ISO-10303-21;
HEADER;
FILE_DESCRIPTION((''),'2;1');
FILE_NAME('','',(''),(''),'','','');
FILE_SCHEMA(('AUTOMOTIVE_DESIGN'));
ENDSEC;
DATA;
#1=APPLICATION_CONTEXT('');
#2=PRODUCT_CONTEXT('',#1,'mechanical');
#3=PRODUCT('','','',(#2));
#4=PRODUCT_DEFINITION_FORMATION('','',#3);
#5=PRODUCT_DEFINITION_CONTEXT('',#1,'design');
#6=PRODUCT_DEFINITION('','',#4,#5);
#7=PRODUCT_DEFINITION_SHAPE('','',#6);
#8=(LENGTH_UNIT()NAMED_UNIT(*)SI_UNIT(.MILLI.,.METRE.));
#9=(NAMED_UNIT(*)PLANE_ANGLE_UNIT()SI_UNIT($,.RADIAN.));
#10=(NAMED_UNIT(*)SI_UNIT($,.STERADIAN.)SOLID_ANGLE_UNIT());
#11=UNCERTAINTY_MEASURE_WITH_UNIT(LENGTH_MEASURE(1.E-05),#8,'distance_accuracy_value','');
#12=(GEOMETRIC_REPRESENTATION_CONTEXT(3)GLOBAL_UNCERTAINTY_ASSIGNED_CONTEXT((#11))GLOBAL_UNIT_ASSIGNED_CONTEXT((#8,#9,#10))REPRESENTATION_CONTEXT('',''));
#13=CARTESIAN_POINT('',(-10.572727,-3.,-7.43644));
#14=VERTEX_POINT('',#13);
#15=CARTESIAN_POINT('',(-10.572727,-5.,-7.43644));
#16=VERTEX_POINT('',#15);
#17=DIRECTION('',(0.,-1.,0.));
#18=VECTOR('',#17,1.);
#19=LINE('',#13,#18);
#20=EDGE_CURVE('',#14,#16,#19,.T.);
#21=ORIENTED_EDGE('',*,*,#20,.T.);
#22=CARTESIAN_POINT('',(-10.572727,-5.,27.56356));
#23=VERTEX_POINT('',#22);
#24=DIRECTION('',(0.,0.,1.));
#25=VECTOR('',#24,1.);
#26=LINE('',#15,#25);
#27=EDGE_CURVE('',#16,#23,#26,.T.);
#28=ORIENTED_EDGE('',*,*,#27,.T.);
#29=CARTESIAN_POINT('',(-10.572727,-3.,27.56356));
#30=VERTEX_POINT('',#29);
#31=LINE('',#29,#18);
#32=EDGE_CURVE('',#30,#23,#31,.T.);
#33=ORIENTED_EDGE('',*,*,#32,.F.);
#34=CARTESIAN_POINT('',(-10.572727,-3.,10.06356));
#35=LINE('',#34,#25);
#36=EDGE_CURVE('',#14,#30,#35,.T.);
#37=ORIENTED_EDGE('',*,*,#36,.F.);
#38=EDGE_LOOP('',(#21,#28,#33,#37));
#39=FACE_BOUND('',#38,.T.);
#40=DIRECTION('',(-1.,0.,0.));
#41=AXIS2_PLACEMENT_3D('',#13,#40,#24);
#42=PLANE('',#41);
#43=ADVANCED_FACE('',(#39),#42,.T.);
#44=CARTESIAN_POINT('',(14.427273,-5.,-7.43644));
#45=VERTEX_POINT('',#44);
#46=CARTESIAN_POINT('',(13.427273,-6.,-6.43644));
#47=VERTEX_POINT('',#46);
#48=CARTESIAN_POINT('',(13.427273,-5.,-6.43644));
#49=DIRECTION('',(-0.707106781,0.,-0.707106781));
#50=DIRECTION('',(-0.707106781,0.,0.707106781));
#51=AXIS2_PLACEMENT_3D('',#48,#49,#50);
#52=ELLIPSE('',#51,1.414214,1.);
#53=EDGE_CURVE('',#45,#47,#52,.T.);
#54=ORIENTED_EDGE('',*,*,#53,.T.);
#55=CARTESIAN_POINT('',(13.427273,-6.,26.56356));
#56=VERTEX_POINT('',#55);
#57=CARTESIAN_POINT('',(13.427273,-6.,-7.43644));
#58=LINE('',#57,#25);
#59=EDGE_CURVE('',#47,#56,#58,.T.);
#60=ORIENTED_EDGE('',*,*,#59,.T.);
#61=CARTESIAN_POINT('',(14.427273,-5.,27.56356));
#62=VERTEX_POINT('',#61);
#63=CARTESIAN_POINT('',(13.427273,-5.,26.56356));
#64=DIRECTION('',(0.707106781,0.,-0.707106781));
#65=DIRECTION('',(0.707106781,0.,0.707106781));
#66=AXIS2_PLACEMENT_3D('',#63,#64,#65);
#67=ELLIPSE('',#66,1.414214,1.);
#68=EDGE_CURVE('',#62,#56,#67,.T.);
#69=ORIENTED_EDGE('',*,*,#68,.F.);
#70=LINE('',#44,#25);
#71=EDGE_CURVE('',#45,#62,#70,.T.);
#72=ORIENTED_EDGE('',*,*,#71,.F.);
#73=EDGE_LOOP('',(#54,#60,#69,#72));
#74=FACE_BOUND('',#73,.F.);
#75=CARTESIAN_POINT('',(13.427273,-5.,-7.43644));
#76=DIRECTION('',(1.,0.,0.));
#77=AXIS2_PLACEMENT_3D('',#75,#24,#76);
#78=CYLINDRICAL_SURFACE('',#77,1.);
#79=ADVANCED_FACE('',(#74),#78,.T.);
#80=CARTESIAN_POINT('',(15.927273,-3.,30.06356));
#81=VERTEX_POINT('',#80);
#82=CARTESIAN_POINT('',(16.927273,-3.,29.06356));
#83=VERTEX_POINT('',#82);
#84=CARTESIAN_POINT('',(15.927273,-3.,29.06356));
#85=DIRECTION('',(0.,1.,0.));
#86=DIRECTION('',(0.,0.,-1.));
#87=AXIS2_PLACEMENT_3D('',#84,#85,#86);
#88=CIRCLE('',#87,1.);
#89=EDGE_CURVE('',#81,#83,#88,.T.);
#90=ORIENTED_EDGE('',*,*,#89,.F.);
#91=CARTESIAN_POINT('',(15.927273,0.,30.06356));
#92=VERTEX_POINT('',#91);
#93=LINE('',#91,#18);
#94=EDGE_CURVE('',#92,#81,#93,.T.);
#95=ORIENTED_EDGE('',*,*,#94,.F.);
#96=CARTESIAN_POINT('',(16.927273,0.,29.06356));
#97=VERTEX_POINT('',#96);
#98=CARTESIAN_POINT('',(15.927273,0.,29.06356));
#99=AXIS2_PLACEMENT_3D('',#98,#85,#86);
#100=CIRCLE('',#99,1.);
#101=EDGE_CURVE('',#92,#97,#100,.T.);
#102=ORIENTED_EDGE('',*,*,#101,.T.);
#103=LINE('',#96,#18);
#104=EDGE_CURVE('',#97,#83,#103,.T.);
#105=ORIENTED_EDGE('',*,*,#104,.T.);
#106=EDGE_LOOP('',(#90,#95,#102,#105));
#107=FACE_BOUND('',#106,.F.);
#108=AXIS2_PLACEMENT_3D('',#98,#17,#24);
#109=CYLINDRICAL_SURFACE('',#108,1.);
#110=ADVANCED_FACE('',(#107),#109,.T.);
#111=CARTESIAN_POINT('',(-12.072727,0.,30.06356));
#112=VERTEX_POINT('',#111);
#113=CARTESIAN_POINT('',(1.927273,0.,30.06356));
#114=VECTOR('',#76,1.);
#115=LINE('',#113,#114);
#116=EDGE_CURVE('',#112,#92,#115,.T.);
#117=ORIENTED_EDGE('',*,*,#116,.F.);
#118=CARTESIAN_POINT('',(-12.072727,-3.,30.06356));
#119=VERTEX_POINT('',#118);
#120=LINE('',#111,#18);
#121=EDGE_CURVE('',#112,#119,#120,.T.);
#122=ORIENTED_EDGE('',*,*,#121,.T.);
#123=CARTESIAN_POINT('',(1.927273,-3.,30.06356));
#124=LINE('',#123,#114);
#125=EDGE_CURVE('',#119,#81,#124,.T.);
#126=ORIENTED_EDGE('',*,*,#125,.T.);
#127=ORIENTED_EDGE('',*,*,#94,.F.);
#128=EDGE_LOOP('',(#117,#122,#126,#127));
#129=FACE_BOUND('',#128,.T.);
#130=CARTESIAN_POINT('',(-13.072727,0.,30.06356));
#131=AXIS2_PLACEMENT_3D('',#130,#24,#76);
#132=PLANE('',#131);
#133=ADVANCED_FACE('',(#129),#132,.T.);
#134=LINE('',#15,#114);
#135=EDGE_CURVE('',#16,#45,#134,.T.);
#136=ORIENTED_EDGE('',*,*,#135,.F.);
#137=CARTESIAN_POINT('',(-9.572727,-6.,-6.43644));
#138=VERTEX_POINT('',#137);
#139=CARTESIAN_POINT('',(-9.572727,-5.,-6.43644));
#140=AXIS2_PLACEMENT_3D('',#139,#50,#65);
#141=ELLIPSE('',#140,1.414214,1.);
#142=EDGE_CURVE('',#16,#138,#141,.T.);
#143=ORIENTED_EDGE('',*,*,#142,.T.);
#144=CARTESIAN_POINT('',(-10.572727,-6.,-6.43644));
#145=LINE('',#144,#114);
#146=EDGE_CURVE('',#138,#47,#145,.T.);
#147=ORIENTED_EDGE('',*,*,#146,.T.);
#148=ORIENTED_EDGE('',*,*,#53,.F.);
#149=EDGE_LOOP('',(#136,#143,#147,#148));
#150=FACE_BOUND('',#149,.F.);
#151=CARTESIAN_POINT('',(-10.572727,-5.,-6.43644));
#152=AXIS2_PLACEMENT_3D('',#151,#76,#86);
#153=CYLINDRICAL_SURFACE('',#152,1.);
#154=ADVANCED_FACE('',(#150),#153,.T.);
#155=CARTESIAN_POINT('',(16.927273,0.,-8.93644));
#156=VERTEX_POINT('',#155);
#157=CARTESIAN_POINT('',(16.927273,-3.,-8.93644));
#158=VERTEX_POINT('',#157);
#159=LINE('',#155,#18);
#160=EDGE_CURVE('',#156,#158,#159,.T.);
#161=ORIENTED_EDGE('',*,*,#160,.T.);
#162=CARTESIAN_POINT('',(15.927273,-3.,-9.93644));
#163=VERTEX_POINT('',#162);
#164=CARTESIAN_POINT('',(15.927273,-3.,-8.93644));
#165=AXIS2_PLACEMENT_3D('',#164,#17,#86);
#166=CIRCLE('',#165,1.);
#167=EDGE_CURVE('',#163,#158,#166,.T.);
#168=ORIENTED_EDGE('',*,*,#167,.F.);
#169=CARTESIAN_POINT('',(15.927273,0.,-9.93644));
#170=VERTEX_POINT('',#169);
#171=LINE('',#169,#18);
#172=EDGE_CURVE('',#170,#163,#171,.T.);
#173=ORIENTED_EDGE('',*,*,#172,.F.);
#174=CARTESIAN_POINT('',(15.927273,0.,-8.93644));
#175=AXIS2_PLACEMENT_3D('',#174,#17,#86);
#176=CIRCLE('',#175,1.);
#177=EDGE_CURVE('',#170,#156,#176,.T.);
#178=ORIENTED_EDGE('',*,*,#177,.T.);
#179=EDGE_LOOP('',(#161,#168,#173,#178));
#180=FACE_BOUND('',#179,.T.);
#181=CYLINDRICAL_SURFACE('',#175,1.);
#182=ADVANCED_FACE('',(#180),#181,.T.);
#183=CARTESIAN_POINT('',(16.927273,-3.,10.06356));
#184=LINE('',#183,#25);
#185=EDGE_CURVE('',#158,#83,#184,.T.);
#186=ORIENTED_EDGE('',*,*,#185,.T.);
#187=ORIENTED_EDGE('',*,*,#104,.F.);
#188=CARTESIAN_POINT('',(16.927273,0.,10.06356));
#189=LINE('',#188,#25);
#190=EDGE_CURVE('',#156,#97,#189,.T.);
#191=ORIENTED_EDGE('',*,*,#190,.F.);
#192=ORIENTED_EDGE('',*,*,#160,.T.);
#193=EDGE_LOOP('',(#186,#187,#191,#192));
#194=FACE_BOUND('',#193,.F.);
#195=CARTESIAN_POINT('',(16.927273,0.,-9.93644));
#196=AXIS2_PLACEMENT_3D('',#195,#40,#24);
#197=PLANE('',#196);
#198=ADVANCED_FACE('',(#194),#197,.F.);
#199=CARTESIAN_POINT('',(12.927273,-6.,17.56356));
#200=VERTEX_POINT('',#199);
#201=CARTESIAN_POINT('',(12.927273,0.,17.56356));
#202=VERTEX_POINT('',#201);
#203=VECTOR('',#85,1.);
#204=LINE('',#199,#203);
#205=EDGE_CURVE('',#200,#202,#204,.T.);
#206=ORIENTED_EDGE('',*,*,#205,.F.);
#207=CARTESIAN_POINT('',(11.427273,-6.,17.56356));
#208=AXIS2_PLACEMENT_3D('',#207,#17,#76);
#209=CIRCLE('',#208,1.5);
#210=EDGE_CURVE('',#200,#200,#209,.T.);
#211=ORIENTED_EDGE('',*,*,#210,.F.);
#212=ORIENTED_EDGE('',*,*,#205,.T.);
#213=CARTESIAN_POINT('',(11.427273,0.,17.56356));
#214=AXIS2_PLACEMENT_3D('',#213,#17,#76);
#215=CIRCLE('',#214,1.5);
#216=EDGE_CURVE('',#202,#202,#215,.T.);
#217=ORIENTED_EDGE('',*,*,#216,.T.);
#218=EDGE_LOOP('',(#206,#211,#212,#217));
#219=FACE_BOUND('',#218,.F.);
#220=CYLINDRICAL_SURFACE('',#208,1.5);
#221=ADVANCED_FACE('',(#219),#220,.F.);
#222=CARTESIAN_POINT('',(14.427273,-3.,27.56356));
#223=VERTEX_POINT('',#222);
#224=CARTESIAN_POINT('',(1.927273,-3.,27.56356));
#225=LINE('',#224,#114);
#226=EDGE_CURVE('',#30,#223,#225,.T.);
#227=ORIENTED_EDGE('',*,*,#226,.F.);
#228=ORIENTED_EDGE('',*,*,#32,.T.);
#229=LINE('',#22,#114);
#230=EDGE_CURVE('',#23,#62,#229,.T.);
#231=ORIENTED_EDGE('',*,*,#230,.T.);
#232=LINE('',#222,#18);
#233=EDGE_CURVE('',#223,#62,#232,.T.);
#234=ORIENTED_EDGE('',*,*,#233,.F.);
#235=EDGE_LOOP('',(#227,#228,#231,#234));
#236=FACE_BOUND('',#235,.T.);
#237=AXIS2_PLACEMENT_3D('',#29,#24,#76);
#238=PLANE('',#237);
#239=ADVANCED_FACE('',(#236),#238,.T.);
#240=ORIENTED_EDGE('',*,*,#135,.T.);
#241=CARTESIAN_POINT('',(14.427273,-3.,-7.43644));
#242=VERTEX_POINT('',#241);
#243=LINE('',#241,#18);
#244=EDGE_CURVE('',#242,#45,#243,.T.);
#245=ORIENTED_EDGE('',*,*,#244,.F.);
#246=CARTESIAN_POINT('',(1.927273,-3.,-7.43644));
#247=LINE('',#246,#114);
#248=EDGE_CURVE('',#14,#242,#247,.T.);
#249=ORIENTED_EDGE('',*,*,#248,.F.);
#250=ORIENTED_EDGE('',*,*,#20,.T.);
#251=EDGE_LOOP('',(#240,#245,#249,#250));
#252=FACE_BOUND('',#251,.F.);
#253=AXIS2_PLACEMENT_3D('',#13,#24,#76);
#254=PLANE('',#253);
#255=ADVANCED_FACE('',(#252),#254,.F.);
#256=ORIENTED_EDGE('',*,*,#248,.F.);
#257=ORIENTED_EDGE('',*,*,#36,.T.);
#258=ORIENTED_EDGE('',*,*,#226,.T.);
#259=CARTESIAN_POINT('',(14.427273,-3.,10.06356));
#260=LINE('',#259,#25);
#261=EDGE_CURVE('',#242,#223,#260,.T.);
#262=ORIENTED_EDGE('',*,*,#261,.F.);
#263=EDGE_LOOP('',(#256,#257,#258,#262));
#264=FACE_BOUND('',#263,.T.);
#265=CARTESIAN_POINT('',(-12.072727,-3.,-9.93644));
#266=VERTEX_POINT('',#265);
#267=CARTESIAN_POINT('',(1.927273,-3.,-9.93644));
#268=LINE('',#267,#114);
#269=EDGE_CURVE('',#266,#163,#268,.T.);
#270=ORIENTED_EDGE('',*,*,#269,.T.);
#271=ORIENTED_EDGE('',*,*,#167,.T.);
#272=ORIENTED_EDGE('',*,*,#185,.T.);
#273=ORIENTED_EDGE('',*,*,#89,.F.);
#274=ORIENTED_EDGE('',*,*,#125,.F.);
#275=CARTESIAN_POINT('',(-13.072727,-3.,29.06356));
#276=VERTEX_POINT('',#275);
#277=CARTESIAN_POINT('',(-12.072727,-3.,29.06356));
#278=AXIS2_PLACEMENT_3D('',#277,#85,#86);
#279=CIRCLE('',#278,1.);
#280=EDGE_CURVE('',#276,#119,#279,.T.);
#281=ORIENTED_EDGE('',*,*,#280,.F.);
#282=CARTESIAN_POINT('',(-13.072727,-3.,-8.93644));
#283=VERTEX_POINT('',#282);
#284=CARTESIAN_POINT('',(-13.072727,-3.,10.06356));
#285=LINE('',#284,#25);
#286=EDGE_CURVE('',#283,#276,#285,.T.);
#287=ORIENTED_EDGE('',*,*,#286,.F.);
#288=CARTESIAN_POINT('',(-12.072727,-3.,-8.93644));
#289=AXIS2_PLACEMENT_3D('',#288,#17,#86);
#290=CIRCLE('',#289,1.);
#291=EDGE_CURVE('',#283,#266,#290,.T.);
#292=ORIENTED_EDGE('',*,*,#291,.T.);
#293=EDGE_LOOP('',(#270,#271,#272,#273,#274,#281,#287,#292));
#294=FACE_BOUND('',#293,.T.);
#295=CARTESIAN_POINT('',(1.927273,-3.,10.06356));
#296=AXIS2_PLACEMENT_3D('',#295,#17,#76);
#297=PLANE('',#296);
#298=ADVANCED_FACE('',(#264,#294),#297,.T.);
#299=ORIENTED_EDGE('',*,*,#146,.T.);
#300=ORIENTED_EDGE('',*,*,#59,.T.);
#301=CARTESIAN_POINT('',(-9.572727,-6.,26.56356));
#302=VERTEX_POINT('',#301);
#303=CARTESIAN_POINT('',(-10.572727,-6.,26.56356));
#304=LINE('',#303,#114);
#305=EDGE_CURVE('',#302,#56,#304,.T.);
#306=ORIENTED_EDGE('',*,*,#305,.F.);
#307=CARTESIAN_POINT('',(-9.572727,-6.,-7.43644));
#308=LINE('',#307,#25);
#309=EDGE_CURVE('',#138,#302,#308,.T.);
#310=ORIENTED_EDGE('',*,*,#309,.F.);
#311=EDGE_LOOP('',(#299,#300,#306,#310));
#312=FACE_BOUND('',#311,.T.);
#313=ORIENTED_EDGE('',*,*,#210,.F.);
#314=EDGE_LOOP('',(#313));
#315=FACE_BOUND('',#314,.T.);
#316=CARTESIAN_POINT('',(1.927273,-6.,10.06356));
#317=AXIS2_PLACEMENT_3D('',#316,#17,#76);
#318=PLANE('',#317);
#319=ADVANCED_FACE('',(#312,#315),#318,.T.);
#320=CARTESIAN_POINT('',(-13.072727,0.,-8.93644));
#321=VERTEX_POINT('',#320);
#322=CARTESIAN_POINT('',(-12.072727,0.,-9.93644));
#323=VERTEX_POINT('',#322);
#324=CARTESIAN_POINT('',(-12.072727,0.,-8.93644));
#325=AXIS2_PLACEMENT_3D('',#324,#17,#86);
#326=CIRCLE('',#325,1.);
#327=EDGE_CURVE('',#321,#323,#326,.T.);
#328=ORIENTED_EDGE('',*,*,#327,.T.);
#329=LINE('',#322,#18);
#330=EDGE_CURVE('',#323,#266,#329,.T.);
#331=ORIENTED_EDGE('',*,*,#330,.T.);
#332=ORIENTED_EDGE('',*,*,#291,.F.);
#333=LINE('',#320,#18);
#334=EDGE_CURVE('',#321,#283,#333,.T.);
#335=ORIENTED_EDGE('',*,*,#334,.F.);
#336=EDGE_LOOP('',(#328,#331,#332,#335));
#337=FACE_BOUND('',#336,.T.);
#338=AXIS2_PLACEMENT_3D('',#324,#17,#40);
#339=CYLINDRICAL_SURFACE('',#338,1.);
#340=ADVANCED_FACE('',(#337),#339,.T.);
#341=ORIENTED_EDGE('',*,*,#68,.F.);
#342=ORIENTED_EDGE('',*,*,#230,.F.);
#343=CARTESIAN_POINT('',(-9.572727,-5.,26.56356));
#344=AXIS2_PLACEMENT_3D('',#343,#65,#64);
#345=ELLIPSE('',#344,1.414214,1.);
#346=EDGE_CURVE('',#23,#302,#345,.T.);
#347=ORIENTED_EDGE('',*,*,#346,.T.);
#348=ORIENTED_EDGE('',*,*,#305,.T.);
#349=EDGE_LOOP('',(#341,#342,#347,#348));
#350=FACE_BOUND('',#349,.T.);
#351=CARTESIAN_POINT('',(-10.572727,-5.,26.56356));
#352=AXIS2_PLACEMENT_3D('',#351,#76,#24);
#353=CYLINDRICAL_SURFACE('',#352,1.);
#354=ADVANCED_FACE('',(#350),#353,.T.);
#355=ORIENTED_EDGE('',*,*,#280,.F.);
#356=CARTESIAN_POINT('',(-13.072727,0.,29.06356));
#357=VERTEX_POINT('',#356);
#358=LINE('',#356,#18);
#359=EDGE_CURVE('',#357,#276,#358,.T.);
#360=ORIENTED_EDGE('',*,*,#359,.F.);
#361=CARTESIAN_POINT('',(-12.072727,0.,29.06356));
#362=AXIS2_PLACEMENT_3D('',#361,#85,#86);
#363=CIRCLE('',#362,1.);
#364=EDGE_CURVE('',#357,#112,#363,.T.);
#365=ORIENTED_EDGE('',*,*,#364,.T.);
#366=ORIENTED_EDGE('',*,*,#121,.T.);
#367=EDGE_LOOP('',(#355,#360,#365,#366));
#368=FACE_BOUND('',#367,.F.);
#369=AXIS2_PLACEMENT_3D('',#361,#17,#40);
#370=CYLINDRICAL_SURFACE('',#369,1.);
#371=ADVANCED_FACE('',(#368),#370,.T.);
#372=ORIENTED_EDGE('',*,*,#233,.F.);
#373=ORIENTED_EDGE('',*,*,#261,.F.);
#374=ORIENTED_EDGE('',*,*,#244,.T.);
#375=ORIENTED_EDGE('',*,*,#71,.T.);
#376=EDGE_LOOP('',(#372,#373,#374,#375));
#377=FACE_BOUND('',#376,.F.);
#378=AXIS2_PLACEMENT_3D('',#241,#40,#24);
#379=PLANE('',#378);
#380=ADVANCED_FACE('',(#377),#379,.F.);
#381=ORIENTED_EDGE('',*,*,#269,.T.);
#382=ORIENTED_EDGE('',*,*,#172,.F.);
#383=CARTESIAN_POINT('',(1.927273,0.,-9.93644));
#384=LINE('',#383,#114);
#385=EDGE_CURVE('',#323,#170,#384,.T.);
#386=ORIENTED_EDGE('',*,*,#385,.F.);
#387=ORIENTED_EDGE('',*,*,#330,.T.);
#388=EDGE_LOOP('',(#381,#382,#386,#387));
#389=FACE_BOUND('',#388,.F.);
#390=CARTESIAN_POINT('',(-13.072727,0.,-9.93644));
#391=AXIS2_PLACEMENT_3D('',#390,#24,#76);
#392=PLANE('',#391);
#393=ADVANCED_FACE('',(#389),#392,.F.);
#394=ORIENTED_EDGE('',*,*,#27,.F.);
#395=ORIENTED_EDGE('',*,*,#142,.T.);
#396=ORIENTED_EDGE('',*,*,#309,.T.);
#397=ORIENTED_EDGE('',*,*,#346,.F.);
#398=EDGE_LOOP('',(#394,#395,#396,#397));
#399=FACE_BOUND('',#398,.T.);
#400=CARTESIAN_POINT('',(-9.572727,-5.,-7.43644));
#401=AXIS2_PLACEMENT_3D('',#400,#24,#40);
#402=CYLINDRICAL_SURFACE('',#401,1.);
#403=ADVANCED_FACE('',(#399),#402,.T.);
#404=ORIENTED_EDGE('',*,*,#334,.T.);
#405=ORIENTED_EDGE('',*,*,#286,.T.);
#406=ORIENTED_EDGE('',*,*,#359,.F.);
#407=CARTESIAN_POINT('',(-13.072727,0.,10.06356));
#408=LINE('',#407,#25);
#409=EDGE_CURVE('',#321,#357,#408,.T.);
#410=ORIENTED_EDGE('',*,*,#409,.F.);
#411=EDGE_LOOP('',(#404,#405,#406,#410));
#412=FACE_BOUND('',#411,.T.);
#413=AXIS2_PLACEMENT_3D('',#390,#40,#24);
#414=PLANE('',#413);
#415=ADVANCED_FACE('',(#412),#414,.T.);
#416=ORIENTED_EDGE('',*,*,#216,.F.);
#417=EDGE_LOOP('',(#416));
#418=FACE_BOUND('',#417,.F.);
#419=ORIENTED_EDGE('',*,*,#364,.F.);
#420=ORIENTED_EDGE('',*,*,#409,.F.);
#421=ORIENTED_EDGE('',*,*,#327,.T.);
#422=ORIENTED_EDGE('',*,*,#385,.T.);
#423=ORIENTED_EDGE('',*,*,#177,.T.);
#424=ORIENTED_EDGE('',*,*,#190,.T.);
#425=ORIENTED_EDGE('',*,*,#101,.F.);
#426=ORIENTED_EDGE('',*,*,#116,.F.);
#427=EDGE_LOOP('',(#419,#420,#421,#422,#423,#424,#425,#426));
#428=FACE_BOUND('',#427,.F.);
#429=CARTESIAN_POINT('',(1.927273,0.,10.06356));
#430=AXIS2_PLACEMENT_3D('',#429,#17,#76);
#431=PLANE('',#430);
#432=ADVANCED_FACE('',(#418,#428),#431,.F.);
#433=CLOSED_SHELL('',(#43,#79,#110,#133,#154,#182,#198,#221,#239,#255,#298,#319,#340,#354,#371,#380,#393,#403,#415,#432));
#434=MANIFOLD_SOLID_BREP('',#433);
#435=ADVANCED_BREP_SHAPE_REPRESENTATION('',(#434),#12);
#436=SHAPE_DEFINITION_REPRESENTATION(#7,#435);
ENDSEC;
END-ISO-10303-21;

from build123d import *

# Parameters (mm, degrees)
F0_W     = 30
F0_H     = 40
F1_DEPTH = 3
F2_W     = 25
F2_H     = 35
F3_DEPTH = 3
F4_R     = 1
F5_R     = 1
F6_R     = 1.5
F7_DEPTH = 25


with BuildPart() as f1:
    # F0 (on Front) → F1 (new body)
    with BuildSketch(Plane.XZ):
        with Locations((1.927273, 10.06356)):
            Rectangle(F0_W, F0_H)
    extrude(amount=F1_DEPTH)

    # F2 (on face) → F3 (join)
    with BuildSketch(Plane.XZ.offset(3)):
        with Locations((1.927273, 10.06356)):
            Rectangle(F2_W, F2_H)
    extrude(amount=F3_DEPTH)

    # F4
    f4_edges = [f1.edges().sort_by_distance(p)[0] for p in [
        (-13.072727, -1.5, 30.06356),
        (-13.072727, -1.5, -9.93644),
        (16.927273, -1.5, -9.93644),
        (16.927273, -1.5, 30.06356),
    ]]
    fillet(f4_edges, radius=F4_R)

    # F5
    f5_edges = [f1.edges().sort_by_distance(p)[0] for p in [
        (14.427273, -6, 10.06356),
        (1.927273, -6, 27.56356),
        (-10.572727, -6, 10.06356),
        (1.927273, -6, -7.43644),
    ]]
    fillet(f5_edges, radius=F5_R)

    # F6 (on face) → F7 (cut)
    with BuildSketch(Plane.XZ.offset(6)):
        with Locations((11.427273, 17.56356)):
            Circle(F6_R)
    extrude(amount=-F7_DEPTH, mode=Mode.SUBTRACT)


solid = f1.part
